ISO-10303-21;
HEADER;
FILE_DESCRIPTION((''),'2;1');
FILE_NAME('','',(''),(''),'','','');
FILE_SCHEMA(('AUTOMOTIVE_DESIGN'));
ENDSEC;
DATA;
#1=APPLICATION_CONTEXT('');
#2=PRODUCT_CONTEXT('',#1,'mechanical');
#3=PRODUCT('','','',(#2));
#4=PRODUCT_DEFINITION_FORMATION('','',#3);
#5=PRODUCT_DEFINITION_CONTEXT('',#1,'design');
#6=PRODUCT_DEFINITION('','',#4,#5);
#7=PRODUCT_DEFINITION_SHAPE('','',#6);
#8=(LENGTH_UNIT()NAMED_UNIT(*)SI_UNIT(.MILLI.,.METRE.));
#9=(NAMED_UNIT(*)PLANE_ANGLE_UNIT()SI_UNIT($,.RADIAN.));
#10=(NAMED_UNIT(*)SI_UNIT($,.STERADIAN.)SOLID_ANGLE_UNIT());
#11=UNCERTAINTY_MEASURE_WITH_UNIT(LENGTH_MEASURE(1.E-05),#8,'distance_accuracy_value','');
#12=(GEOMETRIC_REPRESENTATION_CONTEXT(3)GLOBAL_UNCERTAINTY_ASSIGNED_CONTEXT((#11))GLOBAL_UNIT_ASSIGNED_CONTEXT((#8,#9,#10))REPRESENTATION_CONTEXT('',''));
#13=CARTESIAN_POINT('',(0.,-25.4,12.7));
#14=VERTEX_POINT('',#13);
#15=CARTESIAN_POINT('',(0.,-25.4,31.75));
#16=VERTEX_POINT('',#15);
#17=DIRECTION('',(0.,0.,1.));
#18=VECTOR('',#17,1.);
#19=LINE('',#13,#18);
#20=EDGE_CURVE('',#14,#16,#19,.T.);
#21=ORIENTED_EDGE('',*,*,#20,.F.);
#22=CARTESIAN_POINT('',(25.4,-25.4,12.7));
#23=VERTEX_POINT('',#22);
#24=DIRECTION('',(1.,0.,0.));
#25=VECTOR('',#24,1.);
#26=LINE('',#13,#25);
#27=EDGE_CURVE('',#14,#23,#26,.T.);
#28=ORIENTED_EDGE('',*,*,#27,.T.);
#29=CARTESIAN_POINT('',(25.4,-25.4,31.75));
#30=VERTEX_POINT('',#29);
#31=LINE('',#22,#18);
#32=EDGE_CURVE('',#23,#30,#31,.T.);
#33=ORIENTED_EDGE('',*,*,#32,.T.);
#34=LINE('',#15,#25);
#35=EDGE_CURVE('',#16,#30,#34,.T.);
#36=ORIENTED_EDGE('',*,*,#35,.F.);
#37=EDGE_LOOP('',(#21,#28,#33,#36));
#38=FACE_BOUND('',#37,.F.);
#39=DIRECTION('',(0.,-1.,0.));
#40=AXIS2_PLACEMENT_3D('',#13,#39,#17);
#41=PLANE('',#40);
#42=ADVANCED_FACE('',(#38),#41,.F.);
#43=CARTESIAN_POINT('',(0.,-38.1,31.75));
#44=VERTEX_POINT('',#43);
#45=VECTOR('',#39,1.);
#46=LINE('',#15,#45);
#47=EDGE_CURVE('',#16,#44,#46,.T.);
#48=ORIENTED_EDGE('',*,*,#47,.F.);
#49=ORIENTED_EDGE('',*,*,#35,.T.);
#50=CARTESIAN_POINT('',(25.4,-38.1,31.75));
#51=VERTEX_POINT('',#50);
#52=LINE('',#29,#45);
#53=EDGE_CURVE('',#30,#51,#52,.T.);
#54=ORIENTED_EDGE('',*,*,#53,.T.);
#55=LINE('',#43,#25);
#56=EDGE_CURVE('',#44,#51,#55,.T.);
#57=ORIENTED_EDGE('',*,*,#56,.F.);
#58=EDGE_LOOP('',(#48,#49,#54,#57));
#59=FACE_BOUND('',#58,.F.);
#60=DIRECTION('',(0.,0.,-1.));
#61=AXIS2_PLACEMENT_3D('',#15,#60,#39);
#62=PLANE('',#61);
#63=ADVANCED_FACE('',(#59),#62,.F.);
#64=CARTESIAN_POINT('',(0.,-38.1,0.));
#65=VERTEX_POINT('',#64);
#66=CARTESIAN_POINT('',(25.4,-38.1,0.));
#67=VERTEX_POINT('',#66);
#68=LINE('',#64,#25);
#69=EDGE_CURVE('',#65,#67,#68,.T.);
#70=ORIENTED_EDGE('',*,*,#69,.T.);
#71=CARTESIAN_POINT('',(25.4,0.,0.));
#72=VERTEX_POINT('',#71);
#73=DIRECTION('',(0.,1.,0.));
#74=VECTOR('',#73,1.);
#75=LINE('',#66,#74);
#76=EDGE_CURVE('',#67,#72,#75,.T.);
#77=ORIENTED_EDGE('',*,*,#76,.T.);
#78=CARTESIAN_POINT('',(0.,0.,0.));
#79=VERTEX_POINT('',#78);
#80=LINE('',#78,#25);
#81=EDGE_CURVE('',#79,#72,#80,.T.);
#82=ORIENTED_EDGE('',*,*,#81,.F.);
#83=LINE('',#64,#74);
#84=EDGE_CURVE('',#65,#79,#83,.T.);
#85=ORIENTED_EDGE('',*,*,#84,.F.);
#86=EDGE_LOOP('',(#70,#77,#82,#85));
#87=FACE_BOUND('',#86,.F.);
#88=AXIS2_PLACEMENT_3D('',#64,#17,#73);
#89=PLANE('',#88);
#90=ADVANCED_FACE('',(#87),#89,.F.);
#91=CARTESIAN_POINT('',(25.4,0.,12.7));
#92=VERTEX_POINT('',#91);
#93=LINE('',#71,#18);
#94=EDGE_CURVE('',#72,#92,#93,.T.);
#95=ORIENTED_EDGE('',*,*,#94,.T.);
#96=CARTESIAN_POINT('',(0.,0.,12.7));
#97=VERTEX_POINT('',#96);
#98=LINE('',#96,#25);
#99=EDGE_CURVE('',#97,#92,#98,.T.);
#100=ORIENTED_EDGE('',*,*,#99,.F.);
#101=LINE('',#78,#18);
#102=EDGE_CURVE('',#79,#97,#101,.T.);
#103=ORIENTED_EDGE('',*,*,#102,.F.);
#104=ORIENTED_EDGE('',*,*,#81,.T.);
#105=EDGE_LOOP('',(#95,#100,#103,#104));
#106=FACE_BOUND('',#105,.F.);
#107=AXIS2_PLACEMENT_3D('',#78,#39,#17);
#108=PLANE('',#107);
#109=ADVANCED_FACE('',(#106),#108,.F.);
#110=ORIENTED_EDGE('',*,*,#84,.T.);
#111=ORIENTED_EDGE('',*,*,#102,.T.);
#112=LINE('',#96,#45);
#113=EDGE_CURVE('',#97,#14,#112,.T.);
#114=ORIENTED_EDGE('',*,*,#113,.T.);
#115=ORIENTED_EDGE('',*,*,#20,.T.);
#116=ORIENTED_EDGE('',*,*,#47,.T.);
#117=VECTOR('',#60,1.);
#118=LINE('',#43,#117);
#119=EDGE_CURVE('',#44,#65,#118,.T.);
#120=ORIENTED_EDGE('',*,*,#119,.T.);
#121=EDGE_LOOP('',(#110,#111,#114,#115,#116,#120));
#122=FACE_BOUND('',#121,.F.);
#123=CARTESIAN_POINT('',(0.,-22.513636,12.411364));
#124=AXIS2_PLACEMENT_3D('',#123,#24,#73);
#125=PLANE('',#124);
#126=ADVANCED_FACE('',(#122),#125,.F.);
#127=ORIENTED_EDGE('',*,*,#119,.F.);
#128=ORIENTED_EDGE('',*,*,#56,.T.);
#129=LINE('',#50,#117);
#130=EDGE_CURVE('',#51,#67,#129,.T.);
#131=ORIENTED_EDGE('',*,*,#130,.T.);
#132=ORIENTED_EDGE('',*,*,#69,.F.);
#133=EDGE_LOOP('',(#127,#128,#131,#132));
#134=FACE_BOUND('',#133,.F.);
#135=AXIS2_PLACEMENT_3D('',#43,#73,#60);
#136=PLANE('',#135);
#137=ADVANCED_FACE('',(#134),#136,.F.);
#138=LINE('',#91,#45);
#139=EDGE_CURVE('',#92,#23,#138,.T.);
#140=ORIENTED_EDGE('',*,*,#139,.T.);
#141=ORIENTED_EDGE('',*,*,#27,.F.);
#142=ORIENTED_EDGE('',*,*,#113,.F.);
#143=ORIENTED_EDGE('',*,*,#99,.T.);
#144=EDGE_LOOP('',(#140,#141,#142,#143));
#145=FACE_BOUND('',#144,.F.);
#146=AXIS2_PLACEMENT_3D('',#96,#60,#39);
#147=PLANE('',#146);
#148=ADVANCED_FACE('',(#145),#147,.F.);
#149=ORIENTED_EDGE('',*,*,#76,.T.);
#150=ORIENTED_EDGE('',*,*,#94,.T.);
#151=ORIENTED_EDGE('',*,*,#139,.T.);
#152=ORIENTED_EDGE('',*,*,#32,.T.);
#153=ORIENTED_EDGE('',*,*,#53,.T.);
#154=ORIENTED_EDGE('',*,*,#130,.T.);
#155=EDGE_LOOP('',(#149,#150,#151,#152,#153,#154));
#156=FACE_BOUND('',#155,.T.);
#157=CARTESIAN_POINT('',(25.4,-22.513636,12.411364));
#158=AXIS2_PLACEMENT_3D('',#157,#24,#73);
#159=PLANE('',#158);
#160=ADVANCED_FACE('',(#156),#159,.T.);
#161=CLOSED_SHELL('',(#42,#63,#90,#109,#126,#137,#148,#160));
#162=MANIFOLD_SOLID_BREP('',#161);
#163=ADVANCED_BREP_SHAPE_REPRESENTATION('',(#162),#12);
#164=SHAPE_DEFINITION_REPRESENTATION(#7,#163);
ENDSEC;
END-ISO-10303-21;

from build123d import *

# Parameters (mm, degrees)
F1_DEPTH = 25.4
F2_DEPTH = 25.4


with BuildPart() as f1:
    # F0 (on Right) → F1 (new body)
    with BuildSketch(Plane.YZ):
        Polygon((-38.1, 0), (0, 0), (0, 12.7), (-25.4, 12.7), (-25.4, 31.75), (-38.1, 31.75), align=None)
    extrude(amount=F1_DEPTH)

    # F0 (on Right) → F2 (join)
    with BuildSketch(Plane.YZ):
        Polygon((-38.1, 0), (0, 0), (0, 12.7), (-25.4, 12.7), (-25.4, 31.75), (-38.1, 31.75), align=None)
    extrude(amount=F2_DEPTH)


solid = f1.part
